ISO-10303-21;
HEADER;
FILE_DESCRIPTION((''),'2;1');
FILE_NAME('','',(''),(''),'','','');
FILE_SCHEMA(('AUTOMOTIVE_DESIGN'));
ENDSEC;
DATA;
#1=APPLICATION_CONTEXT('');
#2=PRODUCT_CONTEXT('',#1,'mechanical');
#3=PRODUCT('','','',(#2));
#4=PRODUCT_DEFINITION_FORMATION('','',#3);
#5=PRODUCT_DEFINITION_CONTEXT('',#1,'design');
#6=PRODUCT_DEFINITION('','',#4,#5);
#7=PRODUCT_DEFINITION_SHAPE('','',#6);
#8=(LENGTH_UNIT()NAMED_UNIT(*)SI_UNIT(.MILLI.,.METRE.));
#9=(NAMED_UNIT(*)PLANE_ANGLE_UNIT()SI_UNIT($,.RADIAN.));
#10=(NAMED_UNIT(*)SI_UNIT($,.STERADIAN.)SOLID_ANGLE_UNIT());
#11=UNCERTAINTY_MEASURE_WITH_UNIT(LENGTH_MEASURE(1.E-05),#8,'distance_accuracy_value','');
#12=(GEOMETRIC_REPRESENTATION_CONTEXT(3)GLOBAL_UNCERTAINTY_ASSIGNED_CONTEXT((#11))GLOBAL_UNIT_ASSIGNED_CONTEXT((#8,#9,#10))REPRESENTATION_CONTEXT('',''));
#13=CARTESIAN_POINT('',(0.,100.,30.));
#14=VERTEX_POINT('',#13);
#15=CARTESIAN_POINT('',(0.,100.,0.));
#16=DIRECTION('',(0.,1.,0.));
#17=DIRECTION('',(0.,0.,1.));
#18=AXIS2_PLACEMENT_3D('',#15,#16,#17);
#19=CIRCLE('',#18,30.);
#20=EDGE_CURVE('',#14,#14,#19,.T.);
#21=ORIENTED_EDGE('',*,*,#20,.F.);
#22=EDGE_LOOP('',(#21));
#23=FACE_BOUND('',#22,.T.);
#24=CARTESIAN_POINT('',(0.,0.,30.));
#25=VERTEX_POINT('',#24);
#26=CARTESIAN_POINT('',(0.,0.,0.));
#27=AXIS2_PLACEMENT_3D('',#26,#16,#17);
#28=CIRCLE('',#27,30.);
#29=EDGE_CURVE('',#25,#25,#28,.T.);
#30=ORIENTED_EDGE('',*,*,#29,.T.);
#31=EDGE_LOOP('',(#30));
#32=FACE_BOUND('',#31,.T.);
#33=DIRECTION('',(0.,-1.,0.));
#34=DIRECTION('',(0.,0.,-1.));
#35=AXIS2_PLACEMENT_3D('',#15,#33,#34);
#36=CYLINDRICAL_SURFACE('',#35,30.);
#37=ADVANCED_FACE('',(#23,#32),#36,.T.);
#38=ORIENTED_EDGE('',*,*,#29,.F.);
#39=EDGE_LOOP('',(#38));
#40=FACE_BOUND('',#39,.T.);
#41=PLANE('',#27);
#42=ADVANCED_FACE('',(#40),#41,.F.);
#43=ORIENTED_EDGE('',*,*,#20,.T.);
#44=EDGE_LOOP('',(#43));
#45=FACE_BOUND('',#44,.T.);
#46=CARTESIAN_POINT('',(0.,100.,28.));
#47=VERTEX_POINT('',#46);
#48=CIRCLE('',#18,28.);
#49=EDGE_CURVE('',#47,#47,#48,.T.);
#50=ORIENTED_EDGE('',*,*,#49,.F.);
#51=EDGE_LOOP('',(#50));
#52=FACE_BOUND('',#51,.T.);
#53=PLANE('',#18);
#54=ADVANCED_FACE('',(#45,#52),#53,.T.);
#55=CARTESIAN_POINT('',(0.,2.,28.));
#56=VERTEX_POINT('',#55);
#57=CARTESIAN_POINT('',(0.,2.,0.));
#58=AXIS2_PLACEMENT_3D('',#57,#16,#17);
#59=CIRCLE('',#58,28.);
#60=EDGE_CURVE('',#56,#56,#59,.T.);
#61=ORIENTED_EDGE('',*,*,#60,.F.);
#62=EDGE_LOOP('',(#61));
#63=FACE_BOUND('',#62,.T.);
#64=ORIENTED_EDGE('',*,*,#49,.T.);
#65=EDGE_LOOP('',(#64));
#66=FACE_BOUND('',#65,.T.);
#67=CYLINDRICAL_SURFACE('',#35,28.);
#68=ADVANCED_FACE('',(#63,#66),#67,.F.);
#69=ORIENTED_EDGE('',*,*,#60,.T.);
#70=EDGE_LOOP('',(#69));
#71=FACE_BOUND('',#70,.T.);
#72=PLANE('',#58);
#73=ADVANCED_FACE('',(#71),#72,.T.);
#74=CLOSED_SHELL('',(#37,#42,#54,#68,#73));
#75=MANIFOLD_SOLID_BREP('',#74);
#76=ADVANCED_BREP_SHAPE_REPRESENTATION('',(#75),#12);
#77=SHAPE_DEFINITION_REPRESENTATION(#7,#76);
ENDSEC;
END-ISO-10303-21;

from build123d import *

# Parameters (mm, degrees)
SKETCH1_R           = 30
BOSS_EXTRUDE1_DEPTH = 100
SHELL1_T            = -2


with BuildPart() as part:
    # Sketch1 → Boss-Extrude1 (new body)
    with BuildSketch(Plane(origin=(0, 0, 0), x_dir=(1, 0, 0), z_dir=(0, 1, 0))):
        with Locations(Location((0, 0, 0), (0, 0, 270))):
            Circle(SKETCH1_R)
    extrude(amount=BOSS_EXTRUDE1_DEPTH)

    # Shell1
    shell1_openings = [part.faces().sort_by_distance(p)[0] for p in [
        (0, 100, 0),
    ]]
    offset(amount=SHELL1_T, openings=shell1_openings, kind=Kind.INTERSECTION)


solid = part.part
